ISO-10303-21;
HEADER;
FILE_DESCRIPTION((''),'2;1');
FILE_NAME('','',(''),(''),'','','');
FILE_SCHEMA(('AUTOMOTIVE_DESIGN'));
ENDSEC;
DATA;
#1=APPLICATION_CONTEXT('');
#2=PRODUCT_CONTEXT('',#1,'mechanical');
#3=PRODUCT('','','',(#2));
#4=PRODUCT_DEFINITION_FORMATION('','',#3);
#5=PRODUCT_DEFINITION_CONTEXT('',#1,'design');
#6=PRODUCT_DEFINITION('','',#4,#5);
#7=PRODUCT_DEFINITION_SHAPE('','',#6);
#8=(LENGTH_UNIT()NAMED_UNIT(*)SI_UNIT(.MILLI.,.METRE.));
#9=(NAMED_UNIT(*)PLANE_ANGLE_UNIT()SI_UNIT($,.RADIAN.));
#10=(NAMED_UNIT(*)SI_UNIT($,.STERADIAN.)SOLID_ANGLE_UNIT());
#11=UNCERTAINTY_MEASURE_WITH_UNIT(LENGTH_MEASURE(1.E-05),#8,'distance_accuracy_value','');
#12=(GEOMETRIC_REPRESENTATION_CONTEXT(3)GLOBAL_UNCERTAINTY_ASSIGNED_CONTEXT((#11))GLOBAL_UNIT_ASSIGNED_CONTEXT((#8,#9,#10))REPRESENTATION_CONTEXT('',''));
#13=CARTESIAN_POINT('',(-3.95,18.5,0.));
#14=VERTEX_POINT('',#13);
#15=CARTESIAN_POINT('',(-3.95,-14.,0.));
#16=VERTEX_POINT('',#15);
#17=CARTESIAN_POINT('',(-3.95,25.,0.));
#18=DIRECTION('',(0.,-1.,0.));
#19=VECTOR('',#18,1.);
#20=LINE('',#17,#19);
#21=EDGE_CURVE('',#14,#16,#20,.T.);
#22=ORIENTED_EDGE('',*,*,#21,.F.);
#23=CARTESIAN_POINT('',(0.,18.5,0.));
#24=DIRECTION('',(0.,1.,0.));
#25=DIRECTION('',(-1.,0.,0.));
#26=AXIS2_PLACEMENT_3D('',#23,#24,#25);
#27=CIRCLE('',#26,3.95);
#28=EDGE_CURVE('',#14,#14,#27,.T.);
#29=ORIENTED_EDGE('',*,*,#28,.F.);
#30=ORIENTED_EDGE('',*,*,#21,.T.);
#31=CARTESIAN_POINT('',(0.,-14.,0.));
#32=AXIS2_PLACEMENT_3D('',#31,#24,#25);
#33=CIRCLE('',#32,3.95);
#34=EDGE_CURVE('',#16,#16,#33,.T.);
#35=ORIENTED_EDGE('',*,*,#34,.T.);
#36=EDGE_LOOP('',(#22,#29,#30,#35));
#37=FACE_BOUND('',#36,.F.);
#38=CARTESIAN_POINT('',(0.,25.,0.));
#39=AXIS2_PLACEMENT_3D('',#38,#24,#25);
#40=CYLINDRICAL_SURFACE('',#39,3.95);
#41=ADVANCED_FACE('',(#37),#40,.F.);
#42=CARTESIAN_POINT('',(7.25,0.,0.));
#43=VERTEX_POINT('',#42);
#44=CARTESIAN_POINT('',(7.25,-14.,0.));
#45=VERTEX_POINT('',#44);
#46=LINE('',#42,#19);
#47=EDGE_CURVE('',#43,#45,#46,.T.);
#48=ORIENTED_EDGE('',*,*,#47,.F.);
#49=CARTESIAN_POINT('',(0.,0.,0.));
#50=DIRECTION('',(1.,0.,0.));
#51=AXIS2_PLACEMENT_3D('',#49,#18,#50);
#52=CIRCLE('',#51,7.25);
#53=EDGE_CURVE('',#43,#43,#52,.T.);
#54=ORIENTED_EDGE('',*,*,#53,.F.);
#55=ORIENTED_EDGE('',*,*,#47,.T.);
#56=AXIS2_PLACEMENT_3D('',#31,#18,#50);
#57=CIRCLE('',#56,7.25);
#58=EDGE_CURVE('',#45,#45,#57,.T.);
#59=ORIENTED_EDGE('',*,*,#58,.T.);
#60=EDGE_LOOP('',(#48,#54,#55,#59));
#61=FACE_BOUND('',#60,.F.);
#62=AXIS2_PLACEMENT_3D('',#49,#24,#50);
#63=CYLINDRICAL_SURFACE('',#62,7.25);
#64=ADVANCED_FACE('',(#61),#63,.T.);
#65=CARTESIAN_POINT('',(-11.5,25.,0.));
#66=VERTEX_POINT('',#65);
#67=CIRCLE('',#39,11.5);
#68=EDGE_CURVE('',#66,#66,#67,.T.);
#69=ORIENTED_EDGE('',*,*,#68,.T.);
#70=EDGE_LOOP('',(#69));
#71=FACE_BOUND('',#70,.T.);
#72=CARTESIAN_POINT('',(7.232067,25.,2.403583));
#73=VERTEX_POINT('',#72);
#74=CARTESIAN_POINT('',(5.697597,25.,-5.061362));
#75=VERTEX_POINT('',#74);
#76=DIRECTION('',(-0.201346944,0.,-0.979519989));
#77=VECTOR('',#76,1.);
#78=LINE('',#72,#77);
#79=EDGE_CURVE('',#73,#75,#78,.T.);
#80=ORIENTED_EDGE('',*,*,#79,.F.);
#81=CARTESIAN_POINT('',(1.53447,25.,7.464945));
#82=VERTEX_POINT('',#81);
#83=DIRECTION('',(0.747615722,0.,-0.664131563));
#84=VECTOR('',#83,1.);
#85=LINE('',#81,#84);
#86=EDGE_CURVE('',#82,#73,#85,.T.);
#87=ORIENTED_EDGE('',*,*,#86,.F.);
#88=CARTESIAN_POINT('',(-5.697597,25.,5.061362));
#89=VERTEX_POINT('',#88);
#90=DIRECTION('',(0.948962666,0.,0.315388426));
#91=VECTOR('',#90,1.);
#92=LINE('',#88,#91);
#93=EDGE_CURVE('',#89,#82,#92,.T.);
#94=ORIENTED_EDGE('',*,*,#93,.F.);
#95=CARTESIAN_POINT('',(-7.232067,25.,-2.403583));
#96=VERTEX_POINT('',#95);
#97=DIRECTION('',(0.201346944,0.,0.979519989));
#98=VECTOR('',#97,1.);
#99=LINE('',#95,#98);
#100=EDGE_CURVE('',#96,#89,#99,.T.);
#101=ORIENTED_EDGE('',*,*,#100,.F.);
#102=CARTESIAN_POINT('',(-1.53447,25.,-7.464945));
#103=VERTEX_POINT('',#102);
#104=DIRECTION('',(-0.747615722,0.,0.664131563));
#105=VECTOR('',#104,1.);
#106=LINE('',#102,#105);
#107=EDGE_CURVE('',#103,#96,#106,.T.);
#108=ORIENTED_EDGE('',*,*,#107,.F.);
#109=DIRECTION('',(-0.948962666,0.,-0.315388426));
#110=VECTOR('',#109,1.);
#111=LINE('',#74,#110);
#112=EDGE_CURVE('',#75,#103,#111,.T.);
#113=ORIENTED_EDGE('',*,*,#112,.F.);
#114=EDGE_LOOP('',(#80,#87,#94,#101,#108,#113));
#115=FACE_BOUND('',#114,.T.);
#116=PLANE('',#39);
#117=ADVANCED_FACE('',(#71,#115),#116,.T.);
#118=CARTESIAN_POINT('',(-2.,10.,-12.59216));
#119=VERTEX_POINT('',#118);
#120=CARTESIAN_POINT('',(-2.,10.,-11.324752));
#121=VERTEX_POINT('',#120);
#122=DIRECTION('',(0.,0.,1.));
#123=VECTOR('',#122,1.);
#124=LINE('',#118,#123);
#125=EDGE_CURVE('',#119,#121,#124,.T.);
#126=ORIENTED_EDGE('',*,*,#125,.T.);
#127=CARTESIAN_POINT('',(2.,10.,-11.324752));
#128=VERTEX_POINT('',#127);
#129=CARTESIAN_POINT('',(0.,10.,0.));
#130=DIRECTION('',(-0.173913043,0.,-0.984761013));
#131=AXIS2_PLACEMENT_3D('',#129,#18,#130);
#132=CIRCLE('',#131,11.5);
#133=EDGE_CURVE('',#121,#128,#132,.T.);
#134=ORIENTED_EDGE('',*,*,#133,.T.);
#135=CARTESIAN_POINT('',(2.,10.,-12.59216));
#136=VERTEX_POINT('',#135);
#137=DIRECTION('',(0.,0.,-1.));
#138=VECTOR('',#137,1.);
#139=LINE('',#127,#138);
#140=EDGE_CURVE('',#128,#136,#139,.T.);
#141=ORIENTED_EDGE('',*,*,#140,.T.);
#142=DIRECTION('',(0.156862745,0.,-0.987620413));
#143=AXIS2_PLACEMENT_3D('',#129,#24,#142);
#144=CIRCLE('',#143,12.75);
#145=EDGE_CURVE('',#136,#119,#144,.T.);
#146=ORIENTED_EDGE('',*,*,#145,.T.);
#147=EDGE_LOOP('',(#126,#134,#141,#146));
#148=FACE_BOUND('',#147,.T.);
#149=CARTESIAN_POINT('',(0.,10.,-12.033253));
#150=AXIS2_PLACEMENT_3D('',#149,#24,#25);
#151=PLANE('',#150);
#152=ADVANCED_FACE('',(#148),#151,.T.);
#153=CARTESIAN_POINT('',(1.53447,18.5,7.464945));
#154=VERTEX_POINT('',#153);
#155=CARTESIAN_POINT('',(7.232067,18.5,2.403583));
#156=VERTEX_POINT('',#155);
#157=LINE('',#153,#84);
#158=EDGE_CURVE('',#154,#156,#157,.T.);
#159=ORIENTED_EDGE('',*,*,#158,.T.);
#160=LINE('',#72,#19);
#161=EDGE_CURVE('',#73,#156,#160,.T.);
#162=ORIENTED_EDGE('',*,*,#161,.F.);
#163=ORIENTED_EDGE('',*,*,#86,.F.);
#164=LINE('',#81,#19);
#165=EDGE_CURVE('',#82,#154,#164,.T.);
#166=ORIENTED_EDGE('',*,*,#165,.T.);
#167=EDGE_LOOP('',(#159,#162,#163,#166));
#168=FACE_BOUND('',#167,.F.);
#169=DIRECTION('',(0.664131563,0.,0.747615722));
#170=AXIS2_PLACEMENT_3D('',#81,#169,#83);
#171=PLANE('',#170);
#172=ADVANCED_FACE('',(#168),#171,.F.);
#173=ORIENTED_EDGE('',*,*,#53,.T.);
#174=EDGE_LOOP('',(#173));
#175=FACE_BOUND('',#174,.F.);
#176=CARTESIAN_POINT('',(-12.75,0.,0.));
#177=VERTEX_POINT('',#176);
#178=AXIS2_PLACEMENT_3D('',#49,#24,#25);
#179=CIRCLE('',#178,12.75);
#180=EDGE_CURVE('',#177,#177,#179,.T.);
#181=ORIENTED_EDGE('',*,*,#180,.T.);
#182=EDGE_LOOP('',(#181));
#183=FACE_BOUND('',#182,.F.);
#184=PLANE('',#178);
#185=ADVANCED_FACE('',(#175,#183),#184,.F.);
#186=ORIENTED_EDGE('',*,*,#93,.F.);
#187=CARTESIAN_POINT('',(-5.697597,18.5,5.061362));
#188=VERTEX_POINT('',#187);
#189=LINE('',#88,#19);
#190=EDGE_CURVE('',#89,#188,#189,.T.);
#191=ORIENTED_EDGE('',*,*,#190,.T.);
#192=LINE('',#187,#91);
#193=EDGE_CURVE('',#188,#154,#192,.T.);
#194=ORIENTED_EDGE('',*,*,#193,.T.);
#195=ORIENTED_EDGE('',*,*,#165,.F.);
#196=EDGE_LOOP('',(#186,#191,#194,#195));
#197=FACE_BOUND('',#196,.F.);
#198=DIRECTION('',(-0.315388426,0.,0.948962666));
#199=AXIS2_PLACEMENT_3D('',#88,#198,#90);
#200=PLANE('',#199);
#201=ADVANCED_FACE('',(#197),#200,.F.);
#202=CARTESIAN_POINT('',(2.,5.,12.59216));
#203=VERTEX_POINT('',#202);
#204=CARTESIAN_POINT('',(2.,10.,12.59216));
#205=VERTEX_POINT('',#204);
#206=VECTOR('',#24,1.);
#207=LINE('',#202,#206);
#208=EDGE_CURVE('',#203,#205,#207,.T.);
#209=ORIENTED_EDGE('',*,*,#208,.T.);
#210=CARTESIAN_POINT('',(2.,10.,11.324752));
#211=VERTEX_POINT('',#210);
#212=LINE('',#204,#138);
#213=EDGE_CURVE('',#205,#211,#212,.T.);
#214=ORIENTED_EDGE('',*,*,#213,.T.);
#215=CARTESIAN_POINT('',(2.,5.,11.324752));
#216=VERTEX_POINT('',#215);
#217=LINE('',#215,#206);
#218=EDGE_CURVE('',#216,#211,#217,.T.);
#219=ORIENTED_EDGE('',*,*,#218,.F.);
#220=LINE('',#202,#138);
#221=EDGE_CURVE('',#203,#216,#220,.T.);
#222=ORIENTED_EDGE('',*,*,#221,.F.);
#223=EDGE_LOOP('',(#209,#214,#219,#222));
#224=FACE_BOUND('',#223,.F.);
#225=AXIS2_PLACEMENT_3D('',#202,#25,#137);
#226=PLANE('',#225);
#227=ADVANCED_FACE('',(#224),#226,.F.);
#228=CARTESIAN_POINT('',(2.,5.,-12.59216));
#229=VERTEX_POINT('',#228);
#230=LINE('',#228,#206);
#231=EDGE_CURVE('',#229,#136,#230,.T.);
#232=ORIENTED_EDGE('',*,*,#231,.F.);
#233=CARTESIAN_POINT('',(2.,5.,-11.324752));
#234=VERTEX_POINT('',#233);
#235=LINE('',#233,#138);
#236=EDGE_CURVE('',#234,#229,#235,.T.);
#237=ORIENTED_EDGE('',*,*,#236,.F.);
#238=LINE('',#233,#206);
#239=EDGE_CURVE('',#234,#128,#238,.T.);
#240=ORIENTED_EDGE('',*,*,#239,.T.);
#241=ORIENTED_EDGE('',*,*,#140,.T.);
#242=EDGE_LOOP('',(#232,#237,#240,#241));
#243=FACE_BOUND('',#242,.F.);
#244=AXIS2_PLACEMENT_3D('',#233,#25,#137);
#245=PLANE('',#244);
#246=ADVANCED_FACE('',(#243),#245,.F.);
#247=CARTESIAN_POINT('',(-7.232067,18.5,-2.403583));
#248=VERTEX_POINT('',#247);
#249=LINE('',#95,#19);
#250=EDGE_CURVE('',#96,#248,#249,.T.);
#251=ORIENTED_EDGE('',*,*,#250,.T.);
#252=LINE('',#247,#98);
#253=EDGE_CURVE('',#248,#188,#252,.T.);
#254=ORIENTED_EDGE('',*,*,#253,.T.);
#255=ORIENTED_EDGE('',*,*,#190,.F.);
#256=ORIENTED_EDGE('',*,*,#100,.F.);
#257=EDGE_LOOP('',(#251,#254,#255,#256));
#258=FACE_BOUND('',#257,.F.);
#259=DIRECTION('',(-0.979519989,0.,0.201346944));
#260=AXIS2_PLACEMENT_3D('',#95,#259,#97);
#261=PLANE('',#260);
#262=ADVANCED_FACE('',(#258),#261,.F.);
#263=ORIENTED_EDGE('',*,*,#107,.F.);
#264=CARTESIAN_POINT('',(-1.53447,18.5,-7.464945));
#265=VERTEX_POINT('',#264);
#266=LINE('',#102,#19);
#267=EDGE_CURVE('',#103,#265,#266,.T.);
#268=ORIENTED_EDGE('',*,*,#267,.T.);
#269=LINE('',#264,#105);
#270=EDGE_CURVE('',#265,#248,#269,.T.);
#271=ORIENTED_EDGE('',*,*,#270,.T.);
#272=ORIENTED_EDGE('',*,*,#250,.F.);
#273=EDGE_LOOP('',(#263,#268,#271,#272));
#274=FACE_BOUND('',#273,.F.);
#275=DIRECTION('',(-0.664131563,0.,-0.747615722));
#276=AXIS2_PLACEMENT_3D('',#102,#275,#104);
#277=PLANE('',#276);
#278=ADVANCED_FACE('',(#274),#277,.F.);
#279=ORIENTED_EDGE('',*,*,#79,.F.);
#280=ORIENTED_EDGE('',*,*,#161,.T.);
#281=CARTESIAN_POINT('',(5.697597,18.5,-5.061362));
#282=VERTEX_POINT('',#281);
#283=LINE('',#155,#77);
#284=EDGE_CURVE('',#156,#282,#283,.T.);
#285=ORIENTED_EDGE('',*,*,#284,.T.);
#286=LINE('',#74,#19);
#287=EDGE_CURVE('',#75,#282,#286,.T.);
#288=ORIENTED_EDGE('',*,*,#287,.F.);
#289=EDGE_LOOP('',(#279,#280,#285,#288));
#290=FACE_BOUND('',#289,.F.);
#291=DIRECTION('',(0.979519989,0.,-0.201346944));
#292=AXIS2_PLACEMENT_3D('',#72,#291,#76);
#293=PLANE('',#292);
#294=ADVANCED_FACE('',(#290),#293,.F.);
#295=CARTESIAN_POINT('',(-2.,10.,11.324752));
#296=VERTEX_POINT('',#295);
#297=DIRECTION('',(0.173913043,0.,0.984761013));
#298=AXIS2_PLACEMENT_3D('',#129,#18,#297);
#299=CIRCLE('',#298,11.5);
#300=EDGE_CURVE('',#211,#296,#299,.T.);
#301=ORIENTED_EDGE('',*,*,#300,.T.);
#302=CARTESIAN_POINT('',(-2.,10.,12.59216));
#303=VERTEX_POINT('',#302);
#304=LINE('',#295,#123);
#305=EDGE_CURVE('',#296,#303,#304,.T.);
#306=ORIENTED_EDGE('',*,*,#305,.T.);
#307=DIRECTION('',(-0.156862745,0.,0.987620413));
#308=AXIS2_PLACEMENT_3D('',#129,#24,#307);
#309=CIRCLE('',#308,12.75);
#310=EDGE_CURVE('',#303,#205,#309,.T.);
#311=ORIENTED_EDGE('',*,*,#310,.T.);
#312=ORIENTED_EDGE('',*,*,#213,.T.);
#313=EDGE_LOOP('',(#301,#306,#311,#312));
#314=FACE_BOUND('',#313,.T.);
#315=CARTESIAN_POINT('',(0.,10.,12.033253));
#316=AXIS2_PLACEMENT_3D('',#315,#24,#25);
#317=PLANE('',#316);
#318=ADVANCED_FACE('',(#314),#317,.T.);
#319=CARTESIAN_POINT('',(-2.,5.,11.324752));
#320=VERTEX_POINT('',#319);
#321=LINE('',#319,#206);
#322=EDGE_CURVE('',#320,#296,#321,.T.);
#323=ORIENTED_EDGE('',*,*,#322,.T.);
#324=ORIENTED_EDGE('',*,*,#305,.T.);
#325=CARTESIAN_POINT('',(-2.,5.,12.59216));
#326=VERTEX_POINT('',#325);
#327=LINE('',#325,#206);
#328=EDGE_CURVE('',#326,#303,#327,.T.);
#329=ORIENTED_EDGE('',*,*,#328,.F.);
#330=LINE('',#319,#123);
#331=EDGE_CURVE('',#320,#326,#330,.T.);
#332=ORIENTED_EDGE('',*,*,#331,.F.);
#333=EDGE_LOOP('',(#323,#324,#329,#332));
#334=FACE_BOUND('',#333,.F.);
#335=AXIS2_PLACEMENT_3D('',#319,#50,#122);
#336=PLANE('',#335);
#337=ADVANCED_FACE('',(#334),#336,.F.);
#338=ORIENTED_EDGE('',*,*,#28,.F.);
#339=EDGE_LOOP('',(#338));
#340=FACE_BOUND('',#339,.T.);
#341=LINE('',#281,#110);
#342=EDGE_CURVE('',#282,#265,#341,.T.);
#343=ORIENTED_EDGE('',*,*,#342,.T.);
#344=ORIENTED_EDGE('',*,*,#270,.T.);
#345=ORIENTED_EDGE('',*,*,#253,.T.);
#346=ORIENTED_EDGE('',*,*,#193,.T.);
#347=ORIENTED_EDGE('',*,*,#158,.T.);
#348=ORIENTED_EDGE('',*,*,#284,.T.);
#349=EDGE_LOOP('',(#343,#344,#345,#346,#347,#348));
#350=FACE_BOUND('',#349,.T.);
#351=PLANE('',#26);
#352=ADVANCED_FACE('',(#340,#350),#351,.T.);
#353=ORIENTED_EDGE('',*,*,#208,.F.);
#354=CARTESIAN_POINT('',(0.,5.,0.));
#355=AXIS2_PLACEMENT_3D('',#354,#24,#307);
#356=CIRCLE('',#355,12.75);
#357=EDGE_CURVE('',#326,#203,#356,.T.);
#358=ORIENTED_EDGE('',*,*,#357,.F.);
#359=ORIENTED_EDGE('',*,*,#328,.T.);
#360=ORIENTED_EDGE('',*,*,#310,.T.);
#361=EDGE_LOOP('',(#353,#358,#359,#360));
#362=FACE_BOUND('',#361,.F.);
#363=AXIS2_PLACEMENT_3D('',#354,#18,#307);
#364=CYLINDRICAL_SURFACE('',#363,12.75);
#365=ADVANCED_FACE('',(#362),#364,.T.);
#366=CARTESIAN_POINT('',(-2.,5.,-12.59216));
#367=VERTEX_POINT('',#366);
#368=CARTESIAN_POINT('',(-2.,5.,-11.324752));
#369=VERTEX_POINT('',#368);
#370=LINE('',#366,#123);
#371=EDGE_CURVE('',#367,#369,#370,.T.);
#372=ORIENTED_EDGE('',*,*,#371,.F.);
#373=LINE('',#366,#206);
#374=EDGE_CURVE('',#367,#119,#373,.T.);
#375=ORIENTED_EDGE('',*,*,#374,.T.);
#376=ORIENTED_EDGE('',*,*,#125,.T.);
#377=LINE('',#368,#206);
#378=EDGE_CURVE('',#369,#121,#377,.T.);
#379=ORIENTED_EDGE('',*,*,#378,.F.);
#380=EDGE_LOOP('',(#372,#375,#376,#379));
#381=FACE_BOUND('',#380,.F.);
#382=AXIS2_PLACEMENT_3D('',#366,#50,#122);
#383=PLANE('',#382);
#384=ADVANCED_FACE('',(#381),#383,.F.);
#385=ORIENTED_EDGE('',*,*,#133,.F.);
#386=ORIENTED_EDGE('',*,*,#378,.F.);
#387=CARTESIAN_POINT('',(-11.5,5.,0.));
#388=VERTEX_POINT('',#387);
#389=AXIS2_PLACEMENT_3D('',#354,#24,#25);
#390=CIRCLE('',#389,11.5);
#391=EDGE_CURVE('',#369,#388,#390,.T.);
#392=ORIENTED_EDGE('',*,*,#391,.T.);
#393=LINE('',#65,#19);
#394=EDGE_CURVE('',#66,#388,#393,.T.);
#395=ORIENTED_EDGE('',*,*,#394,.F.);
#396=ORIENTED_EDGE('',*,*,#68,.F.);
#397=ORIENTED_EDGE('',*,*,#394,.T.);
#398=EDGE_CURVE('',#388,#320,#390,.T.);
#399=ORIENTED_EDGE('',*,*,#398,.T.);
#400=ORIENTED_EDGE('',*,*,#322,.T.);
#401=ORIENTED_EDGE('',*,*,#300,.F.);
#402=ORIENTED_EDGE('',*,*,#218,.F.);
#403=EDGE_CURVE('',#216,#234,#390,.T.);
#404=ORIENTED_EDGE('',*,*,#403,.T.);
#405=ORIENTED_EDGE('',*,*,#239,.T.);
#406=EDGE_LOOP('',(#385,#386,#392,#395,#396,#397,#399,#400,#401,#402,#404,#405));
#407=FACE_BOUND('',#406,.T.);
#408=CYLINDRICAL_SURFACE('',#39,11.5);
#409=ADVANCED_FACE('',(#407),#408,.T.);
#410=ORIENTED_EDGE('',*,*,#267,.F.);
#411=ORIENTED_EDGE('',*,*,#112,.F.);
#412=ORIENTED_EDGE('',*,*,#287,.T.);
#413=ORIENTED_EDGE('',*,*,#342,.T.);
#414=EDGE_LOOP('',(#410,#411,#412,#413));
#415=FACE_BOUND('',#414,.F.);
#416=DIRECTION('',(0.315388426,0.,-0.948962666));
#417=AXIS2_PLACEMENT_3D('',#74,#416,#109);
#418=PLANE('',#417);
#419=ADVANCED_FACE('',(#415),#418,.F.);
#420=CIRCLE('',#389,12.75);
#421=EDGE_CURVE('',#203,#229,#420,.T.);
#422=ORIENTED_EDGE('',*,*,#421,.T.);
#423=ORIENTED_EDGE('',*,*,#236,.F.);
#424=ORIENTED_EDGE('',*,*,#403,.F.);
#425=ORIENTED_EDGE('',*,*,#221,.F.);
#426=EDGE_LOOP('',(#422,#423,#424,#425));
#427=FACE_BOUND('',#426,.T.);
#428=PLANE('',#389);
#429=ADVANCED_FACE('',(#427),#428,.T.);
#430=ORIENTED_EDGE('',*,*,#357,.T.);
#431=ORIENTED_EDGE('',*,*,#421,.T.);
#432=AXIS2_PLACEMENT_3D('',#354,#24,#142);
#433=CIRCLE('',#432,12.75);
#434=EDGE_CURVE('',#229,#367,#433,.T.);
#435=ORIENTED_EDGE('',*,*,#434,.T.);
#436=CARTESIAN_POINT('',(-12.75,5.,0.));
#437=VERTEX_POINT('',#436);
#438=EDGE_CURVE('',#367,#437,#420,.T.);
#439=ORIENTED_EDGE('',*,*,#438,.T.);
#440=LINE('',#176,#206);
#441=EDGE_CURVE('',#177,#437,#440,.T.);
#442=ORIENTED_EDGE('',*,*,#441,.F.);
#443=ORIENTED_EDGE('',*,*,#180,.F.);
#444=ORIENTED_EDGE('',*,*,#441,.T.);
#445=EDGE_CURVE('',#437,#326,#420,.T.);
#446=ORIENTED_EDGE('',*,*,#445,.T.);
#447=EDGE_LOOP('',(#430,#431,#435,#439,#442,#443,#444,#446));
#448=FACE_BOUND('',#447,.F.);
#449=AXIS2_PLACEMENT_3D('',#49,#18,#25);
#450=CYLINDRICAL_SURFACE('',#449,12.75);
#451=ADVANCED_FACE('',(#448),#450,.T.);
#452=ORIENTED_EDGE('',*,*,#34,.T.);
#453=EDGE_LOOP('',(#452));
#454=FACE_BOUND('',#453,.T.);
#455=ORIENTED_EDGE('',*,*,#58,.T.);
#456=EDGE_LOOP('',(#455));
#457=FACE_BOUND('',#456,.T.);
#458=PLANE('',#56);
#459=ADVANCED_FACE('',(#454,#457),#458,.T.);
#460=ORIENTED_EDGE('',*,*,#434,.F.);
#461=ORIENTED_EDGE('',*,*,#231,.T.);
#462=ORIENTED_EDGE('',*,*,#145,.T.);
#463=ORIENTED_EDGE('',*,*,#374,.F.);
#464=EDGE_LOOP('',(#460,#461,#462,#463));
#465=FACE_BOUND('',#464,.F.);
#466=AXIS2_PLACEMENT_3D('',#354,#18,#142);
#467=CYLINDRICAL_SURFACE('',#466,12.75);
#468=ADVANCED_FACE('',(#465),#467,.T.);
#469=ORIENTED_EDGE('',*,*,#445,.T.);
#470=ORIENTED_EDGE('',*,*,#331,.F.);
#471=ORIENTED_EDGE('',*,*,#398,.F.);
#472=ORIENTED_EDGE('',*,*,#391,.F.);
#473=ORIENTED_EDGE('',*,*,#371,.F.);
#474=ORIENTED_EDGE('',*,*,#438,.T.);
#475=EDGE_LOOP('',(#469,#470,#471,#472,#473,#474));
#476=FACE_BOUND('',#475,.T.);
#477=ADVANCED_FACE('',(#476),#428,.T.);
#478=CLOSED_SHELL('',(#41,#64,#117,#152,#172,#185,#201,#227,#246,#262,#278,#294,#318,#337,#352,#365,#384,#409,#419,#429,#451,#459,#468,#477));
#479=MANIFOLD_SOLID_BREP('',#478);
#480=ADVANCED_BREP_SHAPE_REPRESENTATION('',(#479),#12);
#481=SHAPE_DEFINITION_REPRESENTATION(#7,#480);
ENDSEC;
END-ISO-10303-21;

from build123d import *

# Parameters (mm, degrees)
F0_R      = 7.25
F1_DEPTH  = 14
F3_R      = 3
F4_DEPTH  = 14.001
F6_R      = 12.75
F7_DEPTH  = 25
F8_R      = 3.95
F9_DEPTH  = 39.001
F10_R     = 12.75
F10_R_2   = 11.5
F11_DEPTH = 20
F13_DEPTH = 5
F14_R     = 3.95
F15_DEPTH = 6.5


with BuildPart() as f1:
    # F0 (on Front) → F1 (new body)
    with BuildSketch(Plane.XZ):
        Circle(F0_R)
    extrude(amount=F1_DEPTH)

    # F3 (on face) → F4 (cut, through all)
    with BuildSketch(Plane.XZ.offset(14)):
        Circle(F3_R)
    extrude(amount=-F4_DEPTH, mode=Mode.SUBTRACT)

    # F6 (on offset) → F7 (join)
    with BuildSketch(Plane(origin=(0, 0, 0), x_dir=(-1, 0, 0), z_dir=(0, 1, 0))):
        Circle(F6_R)
    extrude(amount=F7_DEPTH)

    # F8 (on face) → F9 (cut, through all)
    with BuildSketch(Plane(origin=(0, 25, 0), x_dir=(-1, 0, 0), z_dir=(0, 1, 0))):
        Circle(F8_R)
    extrude(amount=-F9_DEPTH, mode=Mode.SUBTRACT)

    # F10 (on face) → F11 (cut)
    with BuildSketch(Plane(origin=(0, 25, 0), x_dir=(-1, 0, 0), z_dir=(0, 1, 0))):
        Circle(F10_R)
        Circle(F10_R_2, mode=Mode.SUBTRACT)
    extrude(amount=-F11_DEPTH, mode=Mode.SUBTRACT)

    # F12 (on face) → F13 (join)
    with BuildSketch(Plane(origin=(0, 5, 0), x_dir=(-1, 0, 0), z_dir=(0, 1, 0))):
        with BuildLine():
            ThreePointArc((2, 12.5921602595), (0, 12.75), (-2, 12.5921602595))
            Line((-2, 12.5921602595), (-2, 11.3247516529))
            ThreePointArc((-2, 11.3247516529), (0, 11.5), (2, 11.3247516529))
            Line((2, 11.3247516529), (2, 12.5921602595))
        make_face()
        with BuildLine():
            Line((-2, -11.3247516529), (-2, -12.5921602595))
            ThreePointArc((-2, -12.5921602595), (0, -12.75), (2, -12.5921602595))
            Line((2, -12.5921602595), (2, -11.3247516529))
            ThreePointArc((2, -11.3247516529), (0, -11.5), (-2, -11.3247516529))
        make_face()
    extrude(amount=F13_DEPTH)

    # F14 (on face) → F15 (cut)
    with BuildSketch(Plane(origin=(0, 25, 0), x_dir=(-1, 0, 0), z_dir=(0, 1, 0))):
        Polygon((5.6975970229, 5.0613622835), (-1.5344698039, 7.4649449041), (-7.2320668267, 2.4035826206), (-5.6975970229, -5.0613622835), (1.5344698039, -7.4649449041), (7.2320668267, -2.4035826206), align=None)
        Circle(F14_R, mode=Mode.SUBTRACT)
    extrude(amount=-F15_DEPTH, mode=Mode.SUBTRACT)


solid = f1.part
